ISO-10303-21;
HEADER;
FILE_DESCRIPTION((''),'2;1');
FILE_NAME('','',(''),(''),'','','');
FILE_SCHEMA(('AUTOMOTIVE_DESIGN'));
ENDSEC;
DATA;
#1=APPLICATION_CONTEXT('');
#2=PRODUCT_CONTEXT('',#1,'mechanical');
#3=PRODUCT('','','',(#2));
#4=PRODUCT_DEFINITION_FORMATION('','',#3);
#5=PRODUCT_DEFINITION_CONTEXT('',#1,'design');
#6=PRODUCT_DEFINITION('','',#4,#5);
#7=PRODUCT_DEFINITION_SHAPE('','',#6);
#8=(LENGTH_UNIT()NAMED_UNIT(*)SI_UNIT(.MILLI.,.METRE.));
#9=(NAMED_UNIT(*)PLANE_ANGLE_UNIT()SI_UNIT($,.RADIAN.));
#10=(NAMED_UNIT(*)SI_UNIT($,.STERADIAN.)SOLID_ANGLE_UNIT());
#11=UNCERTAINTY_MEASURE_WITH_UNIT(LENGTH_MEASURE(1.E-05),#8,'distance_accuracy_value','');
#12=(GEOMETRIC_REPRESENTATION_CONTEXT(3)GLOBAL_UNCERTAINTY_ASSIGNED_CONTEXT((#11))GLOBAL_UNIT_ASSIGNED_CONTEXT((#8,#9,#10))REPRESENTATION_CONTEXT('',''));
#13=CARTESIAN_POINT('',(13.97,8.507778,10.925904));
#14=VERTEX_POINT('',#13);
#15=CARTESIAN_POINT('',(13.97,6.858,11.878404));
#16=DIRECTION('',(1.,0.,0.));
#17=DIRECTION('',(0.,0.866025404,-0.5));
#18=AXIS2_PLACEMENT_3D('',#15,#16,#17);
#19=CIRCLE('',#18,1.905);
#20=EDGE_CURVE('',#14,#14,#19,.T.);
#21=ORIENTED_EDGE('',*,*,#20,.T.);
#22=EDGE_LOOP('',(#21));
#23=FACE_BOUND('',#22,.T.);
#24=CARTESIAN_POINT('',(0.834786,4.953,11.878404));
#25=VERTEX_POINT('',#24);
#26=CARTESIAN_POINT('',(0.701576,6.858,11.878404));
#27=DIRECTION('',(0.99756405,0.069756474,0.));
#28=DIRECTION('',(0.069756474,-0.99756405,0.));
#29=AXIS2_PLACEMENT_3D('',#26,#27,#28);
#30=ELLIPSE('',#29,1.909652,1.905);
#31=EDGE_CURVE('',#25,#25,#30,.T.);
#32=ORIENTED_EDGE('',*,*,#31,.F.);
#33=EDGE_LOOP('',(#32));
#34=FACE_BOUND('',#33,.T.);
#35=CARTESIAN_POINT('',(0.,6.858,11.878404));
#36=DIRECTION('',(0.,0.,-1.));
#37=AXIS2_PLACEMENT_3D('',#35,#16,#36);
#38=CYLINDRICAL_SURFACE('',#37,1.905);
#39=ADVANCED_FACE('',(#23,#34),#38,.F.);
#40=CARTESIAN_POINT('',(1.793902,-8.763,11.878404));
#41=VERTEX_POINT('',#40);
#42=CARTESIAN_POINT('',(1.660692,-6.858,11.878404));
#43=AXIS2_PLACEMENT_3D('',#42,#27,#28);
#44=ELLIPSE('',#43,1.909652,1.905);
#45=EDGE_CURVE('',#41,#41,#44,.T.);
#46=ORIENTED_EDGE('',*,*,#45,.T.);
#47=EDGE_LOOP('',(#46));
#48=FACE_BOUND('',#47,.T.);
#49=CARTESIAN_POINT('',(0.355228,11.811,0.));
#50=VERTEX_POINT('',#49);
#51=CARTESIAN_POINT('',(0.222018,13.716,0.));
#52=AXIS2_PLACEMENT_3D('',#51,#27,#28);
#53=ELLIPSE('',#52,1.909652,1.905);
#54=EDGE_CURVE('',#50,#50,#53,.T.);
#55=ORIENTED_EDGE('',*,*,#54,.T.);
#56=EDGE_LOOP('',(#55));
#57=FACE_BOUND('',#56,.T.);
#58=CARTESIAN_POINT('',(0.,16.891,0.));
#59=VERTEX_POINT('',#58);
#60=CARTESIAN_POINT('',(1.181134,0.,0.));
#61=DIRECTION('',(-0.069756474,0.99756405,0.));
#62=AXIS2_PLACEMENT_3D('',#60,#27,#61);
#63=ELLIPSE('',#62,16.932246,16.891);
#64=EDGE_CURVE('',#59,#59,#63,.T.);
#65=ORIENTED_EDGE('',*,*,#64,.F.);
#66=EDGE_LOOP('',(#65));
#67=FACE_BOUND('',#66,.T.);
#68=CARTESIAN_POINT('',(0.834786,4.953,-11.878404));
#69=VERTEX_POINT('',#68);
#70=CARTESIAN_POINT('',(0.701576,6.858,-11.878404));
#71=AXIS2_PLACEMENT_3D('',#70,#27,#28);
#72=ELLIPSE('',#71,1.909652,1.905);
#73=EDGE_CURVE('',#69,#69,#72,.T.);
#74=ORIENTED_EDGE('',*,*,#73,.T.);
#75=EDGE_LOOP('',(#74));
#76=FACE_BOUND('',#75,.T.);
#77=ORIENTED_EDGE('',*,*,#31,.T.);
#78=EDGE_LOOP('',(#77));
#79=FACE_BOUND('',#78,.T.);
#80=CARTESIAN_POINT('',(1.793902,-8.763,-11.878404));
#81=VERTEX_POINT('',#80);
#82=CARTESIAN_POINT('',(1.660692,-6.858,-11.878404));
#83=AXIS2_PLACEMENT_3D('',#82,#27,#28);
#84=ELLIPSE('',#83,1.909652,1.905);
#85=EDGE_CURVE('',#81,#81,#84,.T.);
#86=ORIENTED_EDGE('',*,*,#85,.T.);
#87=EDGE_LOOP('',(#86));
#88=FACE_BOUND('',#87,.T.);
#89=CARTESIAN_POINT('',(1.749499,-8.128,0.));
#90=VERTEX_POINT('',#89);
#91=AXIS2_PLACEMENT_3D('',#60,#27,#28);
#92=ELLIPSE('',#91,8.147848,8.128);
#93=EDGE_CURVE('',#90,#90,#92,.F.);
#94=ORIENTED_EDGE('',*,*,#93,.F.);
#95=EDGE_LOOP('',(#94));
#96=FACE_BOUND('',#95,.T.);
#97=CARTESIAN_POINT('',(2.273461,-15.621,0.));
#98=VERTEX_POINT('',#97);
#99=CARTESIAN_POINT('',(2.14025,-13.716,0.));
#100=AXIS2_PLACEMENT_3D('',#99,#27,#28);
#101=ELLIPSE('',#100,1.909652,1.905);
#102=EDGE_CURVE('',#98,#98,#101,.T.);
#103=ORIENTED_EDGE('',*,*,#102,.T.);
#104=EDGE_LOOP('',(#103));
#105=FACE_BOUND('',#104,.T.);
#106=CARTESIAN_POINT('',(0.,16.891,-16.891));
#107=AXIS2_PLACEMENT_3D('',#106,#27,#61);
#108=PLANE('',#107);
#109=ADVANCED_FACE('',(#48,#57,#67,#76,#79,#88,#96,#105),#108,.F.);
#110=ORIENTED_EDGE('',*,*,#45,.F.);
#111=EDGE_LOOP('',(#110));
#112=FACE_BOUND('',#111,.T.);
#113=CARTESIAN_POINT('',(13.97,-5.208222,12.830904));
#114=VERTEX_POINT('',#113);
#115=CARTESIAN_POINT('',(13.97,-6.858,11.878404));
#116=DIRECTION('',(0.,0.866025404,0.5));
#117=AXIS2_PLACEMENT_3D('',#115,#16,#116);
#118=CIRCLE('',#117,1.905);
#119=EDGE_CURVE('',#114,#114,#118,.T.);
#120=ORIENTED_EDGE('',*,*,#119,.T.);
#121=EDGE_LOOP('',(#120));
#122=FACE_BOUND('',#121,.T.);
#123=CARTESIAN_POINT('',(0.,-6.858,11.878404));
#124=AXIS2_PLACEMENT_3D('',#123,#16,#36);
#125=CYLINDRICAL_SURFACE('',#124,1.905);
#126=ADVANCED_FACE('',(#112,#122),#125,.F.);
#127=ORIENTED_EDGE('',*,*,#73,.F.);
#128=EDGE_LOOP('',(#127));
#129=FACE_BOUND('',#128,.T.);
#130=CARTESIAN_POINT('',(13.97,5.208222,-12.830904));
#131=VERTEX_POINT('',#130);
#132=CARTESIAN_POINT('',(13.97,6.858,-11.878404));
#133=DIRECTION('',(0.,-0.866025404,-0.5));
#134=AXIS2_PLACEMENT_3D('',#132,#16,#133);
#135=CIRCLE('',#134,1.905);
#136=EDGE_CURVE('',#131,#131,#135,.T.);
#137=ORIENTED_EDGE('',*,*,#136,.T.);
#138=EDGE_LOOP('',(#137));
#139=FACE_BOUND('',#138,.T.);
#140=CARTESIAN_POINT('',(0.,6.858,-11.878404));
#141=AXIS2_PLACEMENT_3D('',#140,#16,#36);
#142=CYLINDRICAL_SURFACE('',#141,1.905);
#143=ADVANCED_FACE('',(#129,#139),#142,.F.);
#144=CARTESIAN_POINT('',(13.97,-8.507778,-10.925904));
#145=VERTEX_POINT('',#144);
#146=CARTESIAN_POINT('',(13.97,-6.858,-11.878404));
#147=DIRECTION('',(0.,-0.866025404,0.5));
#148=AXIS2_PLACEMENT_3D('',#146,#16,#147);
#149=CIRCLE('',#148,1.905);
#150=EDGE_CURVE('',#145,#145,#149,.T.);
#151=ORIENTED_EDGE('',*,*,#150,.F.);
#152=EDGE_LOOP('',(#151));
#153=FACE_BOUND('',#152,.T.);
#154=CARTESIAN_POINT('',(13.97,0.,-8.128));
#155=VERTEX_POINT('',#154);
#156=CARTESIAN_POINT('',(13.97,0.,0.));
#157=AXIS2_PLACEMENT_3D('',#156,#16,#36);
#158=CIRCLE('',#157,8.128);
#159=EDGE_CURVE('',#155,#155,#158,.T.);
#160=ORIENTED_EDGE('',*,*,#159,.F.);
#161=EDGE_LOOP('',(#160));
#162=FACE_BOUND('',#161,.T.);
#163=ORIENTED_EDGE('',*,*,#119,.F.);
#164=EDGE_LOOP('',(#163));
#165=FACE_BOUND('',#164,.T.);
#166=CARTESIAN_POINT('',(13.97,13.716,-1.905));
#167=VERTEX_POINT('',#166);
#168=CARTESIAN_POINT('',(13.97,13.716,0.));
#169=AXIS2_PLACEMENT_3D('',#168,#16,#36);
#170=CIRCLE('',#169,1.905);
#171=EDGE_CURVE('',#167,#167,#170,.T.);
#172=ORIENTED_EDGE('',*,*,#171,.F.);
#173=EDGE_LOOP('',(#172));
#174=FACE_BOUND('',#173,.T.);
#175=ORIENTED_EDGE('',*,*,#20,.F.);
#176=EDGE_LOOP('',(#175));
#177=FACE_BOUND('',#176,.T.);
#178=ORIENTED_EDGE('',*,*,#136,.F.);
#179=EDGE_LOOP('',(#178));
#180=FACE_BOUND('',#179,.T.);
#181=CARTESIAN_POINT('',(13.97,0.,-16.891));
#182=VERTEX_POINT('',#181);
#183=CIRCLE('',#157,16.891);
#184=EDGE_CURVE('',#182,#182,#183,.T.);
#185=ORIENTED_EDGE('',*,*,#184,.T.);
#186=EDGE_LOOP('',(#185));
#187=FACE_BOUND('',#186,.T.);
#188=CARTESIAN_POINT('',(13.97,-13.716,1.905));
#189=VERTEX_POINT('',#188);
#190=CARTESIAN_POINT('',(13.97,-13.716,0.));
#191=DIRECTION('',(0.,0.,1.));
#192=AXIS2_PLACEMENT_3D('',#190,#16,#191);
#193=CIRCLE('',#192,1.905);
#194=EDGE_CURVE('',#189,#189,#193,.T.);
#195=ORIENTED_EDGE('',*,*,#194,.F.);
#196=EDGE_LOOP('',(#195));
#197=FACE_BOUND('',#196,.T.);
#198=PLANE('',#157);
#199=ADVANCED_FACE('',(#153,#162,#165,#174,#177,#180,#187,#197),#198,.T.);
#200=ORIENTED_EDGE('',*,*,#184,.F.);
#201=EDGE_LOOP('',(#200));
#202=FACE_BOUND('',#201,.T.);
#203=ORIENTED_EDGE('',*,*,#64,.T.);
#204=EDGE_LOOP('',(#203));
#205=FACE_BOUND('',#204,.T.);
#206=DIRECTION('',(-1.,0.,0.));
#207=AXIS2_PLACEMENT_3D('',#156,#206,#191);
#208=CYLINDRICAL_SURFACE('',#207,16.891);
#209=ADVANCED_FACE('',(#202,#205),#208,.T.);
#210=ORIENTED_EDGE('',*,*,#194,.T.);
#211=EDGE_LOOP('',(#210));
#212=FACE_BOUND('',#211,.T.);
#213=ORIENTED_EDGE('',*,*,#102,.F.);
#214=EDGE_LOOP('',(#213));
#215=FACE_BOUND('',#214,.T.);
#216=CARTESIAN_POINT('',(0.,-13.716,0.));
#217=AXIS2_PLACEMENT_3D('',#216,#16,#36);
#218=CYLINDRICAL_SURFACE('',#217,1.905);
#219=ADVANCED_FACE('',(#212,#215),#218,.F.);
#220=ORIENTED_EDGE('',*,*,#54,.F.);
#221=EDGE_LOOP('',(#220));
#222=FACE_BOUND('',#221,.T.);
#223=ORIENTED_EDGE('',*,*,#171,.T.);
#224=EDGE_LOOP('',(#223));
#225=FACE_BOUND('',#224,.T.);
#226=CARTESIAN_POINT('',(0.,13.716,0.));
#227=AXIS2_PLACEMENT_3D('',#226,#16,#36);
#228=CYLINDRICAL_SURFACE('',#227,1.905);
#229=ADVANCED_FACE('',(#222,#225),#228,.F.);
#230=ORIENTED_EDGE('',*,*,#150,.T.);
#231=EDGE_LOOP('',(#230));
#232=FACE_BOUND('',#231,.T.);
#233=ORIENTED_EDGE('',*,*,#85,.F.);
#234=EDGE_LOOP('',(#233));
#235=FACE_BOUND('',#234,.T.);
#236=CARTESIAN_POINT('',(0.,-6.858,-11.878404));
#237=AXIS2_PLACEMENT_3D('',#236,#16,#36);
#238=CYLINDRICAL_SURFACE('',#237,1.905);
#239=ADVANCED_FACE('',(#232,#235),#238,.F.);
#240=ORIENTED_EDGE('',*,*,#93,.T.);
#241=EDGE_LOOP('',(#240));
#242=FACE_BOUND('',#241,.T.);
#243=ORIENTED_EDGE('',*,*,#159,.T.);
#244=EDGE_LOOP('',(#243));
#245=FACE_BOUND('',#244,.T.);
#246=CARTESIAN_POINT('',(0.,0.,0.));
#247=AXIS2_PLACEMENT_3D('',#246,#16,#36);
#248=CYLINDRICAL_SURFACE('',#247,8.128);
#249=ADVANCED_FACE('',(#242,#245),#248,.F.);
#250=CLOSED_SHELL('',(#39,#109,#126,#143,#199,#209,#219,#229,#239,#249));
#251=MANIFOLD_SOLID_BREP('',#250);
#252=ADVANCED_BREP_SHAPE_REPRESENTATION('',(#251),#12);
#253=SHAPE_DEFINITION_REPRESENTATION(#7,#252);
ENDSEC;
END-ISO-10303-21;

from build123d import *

# Parameters (mm, degrees)
SKETCH1_R               = 16.891
BOSS_EXTRUDE1_DEPTH     = 13.97
SKETCH2_R               = 8.128
CUT_EXTRUDE1_DEPTH      = 28.672597674
CUT_EXTRUDE2_DEPTH      = 28.672597674
CUT_EXTRUDE2_DEPTH_BACK = 28.672597674
SKETCH7_R               = 1.905
CUT_EXTRUDE3_DEPTH      = 28.672597674
CIRPATTERN1_COUNT       = 6


with BuildPart() as part:
    # Sketch1 → Boss-Extrude1 (new body)
    with BuildSketch(Plane(origin=(0, 0, 0), x_dir=(0, 0, -1), z_dir=(1, 0, 0))):
        Circle(SKETCH1_R)
    extrude(amount=BOSS_EXTRUDE1_DEPTH)

    # Sketch2 → Cut-Extrude1 (cut, through all)
    with BuildSketch(Plane(origin=(13.97, 0, 0), x_dir=(0, 0, -1), z_dir=(1, 0, 0))):
        Circle(SKETCH2_R)
    extrude(amount=-CUT_EXTRUDE1_DEPTH, mode=Mode.SUBTRACT)

    # Sketch3 → Cut-Extrude2 (cut, two sides: drawn at the far end of the back side and taken through both)
    with BuildSketch(Plane.XY.offset(-CUT_EXTRUDE2_DEPTH_BACK)):
        Polygon((0, 16.891), (2.362267561, -16.891), (0, -16.891), align=None)
    extrude(amount=CUT_EXTRUDE2_DEPTH + CUT_EXTRUDE2_DEPTH_BACK, mode=Mode.SUBTRACT)

    # Sketch7 → Cut-Extrude3 (cut, through all)
    with BuildSketch(Plane(origin=(13.97, 0, 0), x_dir=(0, 0, -1), z_dir=(1, 0, 0))):
        with Locations((0, 13.716)):
            Circle(SKETCH7_R)
    cut_extrude3 = extrude(amount=-CUT_EXTRUDE3_DEPTH, mode=Mode.SUBTRACT)

    # CirPattern1: Cut-Extrude3 ×6 about axis
    cirpattern1_axis = Axis((0, 0, 0), (1, 0, 0))
    for i in range(1, CIRPATTERN1_COUNT):
        add(cut_extrude3.rotate(cirpattern1_axis, i * 360 / CIRPATTERN1_COUNT), mode=Mode.SUBTRACT)


solid = part.part
